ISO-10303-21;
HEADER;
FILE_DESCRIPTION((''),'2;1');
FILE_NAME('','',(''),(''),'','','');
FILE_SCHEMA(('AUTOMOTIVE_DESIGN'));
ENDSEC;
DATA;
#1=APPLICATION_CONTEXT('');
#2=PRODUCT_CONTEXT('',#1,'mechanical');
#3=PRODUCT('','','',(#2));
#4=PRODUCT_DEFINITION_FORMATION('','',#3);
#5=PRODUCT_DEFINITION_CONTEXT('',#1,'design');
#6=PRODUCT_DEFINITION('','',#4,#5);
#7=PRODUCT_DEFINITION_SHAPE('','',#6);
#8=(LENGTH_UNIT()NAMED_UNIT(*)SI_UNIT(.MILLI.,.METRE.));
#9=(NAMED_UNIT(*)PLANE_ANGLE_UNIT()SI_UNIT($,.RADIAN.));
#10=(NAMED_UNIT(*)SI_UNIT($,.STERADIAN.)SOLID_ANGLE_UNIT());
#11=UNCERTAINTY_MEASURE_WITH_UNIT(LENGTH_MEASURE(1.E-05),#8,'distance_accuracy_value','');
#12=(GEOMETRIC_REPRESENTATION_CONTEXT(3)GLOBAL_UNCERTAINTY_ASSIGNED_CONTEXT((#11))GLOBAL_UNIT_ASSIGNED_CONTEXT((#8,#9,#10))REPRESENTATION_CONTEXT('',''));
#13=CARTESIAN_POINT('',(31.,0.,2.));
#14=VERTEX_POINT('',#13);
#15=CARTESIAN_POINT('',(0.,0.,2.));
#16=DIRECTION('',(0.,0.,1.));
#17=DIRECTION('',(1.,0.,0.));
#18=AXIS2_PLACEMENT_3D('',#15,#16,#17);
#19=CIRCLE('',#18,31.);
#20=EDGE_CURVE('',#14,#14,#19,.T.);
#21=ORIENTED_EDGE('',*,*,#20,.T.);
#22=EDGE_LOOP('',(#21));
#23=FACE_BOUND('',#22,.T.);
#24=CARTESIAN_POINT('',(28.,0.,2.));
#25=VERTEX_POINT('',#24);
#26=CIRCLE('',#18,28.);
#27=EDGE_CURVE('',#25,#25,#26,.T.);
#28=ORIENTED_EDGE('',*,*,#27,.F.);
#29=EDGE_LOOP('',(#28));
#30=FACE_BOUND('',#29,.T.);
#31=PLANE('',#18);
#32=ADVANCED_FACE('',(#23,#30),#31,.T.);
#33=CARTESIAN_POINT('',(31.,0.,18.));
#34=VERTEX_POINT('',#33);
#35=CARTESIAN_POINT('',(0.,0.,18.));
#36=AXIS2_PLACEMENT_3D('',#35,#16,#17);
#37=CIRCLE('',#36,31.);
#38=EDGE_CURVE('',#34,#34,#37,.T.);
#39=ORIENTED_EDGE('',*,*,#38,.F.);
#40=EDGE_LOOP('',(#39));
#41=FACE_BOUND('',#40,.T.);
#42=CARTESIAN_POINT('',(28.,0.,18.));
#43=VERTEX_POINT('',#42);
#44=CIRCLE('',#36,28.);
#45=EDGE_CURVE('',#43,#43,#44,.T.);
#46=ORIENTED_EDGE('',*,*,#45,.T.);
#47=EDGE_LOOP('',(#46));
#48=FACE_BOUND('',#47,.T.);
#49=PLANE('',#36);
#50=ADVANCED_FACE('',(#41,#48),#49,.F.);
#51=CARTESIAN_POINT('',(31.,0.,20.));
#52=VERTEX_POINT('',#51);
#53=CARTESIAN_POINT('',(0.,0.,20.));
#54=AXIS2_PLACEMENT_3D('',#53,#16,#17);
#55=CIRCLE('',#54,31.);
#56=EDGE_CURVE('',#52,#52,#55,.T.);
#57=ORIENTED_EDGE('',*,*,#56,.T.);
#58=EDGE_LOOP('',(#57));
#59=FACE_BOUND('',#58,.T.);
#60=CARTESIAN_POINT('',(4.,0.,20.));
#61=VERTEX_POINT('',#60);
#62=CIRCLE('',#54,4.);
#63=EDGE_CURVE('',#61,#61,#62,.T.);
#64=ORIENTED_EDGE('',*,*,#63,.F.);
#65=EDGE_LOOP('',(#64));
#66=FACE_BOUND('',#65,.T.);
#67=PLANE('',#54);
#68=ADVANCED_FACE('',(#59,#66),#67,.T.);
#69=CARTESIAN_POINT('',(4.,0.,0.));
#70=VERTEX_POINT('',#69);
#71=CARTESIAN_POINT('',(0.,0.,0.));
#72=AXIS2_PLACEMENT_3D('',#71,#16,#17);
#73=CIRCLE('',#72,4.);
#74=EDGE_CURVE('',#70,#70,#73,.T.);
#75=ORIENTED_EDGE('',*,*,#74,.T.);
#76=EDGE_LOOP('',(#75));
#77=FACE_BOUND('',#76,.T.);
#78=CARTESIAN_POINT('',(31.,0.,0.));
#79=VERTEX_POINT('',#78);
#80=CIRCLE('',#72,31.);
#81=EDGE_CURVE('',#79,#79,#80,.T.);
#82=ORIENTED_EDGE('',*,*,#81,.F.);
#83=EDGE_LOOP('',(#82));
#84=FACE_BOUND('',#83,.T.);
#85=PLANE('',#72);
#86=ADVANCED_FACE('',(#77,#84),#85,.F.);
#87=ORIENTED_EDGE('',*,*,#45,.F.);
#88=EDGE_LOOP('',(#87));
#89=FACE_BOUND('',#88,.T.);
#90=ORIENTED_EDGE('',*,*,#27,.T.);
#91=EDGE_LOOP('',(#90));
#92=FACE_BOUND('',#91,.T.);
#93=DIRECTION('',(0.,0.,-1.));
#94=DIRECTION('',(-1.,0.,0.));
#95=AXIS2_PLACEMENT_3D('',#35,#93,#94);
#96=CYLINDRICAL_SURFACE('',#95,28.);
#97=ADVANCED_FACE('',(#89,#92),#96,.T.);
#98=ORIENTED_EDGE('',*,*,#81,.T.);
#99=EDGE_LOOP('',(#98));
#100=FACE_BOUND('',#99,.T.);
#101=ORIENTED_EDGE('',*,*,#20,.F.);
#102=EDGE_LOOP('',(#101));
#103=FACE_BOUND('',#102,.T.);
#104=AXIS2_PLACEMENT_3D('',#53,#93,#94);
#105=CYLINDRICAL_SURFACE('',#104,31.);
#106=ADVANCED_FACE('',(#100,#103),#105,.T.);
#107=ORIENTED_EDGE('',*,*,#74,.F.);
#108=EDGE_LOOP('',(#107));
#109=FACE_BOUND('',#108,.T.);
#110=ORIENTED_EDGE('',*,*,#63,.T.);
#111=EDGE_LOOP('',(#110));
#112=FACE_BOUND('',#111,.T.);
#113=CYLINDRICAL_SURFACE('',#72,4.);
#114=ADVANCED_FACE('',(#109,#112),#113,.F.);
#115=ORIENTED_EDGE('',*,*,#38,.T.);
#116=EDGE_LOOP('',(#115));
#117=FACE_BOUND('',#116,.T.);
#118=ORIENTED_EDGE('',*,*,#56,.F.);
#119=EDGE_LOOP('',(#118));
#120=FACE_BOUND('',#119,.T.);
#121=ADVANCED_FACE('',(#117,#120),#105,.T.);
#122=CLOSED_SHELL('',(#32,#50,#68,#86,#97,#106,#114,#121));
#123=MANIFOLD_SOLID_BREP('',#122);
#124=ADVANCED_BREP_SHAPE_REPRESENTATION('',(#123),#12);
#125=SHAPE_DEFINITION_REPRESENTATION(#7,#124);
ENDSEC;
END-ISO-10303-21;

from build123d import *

# Parameters (mm, degrees)
SKETCH1_R           = 31
BOSS_EXTRUDE1_DEPTH = 20
SKETCH2_R           = 31
SKETCH2_R_2         = 28
CUT_EXTRUDE1_DEPTH  = 16
SKETCH3_R           = 4
CUT_EXTRUDE2_DEPTH  = 21


with BuildPart() as part:
    # Sketch1 → Boss-Extrude1 (new body)
    with BuildSketch(Plane(origin=(0, 0, 0), x_dir=(0, 1, 0), z_dir=(0, 0, 1))):
        Circle(SKETCH1_R)
    extrude(amount=BOSS_EXTRUDE1_DEPTH)

    # Sketch2 → Cut-Extrude1 (cut)
    with BuildSketch(Plane(origin=(0, 0, 2), x_dir=(0, 1, 0), z_dir=(0, 0, 1))):
        Circle(SKETCH2_R)
        Circle(SKETCH2_R_2, mode=Mode.SUBTRACT)
    extrude(amount=CUT_EXTRUDE1_DEPTH, mode=Mode.SUBTRACT)

    # Sketch3 → Cut-Extrude2 (cut, through all)
    with BuildSketch(Plane.XY.offset(20)):
        Circle(SKETCH3_R)
    extrude(amount=-CUT_EXTRUDE2_DEPTH, mode=Mode.SUBTRACT)


solid = part.part
